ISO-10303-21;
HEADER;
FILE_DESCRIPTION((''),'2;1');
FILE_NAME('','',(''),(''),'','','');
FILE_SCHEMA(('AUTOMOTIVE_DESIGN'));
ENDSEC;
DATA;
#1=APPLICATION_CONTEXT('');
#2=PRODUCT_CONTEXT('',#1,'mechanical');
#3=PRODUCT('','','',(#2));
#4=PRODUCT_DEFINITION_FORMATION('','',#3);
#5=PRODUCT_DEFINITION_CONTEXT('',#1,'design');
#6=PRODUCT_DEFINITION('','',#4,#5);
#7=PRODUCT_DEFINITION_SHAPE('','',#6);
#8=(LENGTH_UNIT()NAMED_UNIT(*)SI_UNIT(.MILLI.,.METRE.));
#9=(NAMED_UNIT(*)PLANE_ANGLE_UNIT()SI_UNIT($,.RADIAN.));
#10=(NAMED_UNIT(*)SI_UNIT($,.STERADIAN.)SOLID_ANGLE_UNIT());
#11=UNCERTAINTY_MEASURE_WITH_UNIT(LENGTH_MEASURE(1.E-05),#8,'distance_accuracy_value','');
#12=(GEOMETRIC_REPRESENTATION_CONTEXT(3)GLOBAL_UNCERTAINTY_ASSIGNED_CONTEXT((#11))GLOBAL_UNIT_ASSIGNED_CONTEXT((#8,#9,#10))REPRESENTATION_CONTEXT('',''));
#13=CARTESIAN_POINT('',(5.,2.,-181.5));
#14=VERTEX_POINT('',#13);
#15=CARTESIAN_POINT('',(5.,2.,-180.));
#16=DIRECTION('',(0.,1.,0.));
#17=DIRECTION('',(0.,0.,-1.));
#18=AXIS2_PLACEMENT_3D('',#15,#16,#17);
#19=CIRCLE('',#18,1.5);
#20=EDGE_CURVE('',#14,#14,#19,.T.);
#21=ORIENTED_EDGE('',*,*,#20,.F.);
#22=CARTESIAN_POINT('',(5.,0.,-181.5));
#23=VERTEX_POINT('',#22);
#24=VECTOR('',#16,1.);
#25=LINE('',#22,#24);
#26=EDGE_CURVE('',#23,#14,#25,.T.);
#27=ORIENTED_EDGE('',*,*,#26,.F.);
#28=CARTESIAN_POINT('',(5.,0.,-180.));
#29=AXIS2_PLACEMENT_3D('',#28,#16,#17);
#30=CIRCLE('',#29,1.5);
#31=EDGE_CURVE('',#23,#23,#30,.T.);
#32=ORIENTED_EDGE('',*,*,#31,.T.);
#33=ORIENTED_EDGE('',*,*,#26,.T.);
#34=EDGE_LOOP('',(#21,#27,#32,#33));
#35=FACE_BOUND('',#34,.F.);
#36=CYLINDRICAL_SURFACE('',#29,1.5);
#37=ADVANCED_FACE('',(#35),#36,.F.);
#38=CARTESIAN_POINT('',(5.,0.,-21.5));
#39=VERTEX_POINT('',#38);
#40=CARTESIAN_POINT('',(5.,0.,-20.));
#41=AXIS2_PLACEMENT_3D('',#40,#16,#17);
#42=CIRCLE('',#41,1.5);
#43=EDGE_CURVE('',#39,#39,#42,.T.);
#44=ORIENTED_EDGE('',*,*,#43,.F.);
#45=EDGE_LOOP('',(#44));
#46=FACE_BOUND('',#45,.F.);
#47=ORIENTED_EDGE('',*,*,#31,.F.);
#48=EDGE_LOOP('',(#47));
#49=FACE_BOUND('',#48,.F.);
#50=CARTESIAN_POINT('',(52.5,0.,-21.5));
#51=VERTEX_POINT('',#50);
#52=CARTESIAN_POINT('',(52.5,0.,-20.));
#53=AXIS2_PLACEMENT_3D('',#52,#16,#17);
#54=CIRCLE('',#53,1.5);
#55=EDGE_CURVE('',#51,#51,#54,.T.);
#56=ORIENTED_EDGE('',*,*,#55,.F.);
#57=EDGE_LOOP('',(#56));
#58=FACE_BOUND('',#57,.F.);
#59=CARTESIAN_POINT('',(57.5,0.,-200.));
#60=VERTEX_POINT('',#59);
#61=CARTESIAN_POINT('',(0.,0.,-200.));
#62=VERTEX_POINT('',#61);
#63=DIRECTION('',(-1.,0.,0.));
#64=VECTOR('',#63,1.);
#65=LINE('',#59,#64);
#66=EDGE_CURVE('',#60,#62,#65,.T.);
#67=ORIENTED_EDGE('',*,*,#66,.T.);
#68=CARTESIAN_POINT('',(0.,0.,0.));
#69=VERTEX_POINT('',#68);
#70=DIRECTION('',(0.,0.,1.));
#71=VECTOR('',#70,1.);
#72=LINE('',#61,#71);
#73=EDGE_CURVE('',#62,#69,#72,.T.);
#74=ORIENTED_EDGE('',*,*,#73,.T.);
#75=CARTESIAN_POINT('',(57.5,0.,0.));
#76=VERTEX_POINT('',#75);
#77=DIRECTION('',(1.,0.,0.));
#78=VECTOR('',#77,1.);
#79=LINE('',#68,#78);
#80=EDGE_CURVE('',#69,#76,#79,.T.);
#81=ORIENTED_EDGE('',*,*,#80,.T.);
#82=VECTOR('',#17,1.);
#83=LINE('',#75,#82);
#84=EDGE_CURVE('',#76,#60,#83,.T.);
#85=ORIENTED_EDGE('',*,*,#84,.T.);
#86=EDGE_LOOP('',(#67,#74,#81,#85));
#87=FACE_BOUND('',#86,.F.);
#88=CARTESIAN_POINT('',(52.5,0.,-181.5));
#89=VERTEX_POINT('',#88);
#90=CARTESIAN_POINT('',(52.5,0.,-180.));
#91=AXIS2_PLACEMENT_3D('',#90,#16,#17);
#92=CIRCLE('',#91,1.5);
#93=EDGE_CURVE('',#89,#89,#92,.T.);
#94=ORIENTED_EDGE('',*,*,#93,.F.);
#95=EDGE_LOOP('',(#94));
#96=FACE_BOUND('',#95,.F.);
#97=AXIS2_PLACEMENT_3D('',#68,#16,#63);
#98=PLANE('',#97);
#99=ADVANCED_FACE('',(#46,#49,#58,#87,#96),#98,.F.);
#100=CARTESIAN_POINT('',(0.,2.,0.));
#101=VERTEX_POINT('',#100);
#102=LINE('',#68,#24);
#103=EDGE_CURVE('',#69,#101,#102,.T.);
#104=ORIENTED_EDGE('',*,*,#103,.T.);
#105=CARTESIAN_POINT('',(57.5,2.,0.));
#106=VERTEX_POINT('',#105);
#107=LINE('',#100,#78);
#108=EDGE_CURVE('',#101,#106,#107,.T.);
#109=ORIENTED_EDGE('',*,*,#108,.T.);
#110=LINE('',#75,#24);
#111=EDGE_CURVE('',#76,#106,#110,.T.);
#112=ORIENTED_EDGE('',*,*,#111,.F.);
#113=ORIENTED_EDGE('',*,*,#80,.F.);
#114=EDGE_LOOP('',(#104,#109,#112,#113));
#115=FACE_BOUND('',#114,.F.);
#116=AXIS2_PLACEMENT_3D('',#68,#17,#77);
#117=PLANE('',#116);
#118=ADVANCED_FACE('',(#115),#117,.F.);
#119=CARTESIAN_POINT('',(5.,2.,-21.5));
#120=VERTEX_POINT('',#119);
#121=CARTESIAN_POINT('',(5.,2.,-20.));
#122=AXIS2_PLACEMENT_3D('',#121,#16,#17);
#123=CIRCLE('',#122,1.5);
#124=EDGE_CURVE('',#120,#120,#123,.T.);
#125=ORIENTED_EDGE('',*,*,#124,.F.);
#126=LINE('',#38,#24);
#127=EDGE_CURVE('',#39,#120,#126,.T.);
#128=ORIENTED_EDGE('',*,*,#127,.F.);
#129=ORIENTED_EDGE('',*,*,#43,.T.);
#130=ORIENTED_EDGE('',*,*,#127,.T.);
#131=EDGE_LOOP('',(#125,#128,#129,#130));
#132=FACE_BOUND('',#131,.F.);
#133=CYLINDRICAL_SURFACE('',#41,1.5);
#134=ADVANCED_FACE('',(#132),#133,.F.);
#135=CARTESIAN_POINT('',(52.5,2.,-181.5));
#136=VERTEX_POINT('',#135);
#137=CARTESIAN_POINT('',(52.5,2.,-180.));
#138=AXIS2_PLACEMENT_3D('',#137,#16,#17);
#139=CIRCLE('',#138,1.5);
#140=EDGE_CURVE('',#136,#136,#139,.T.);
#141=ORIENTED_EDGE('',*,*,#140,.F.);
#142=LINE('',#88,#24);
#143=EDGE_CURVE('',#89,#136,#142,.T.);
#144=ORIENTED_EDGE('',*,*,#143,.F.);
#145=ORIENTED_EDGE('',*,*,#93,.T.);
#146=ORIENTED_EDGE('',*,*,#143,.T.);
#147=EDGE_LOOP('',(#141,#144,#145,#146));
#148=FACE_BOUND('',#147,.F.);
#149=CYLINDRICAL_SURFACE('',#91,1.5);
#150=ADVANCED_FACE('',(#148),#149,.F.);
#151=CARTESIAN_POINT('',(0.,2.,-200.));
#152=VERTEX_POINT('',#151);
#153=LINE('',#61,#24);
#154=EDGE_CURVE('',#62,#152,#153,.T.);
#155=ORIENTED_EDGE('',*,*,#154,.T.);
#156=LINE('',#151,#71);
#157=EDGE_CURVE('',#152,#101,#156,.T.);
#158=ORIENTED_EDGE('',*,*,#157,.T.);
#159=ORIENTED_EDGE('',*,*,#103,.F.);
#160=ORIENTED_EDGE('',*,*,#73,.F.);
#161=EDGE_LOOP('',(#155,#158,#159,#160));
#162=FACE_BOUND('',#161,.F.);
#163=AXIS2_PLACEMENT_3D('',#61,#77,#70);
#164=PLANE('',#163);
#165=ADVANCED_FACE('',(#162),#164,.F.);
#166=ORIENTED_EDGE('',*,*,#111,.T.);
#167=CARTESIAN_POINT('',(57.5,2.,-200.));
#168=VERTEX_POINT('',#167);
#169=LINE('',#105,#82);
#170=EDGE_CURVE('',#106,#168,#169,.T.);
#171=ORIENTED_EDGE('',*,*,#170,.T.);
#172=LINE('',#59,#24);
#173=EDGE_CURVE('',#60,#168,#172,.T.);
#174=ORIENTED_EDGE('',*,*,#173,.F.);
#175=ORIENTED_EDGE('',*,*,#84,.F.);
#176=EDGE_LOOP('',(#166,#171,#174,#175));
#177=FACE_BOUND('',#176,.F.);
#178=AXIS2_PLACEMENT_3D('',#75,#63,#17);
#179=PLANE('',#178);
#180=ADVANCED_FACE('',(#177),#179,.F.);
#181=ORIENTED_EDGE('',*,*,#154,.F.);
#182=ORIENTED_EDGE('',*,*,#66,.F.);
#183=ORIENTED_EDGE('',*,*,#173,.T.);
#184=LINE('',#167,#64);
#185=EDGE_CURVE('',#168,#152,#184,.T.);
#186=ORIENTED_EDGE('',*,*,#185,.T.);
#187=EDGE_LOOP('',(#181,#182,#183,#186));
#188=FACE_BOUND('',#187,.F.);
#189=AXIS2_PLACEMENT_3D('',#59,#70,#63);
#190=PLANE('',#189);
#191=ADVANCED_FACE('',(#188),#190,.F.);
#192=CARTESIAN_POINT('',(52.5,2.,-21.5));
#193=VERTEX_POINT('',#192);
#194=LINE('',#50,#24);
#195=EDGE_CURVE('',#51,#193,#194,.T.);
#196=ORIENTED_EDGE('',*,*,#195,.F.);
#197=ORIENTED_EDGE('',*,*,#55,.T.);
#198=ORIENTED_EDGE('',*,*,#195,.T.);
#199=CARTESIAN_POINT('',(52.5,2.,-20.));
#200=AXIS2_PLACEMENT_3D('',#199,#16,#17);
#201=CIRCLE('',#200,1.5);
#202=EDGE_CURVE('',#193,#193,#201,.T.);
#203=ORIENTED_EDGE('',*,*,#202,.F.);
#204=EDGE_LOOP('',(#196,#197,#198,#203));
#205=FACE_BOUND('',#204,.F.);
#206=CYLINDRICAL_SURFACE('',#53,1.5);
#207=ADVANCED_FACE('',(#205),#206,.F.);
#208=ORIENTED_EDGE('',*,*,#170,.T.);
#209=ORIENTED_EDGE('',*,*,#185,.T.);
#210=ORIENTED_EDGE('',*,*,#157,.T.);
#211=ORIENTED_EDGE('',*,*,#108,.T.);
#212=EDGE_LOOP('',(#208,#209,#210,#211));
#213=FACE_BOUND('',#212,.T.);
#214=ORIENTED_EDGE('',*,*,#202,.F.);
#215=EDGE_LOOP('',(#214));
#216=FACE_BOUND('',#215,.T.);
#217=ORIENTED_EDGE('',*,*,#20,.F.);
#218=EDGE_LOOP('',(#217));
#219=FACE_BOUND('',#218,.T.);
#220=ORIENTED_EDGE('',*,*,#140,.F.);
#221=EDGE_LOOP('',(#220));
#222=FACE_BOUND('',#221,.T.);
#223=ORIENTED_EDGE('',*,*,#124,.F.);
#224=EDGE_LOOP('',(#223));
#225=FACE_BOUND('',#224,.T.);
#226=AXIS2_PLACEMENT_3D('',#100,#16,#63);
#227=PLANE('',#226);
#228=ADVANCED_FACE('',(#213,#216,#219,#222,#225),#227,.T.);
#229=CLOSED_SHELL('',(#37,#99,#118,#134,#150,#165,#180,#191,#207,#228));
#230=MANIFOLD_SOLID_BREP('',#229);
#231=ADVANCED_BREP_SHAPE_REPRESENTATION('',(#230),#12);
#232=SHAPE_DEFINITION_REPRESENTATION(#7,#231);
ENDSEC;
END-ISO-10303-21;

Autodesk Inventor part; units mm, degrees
ref_plane "YZ Plane" through (0, 0, 0) normal (1, 0, 0) x (0, 1, 0)
ref_plane "XZ Plane" through (0, 0, 0) normal (0, 1, 0) x (-1, 0, 0)
ref_plane "XY Plane" through (0, 0, 0) normal (0, 0, 1) x (1, 0, 0)
sketch "スケッチ1" plane through (0, 0, 0) normal (0, 1, 0) x (-1, 0, 0)
  line L0 (0, 0) -> (-57.5, 0)
  line L1 (-57.5, 0) -> (-57.5, -200)
  line L2 (-57.5, -200) -> (0, -200)
  line L3 (0, -200) -> (0, 0)
  dimension "d0" = 200
  dimension "d1" = 57.5
extrude "押し出し1" add sketch "スケッチ1" along normal blind 2
sketch "スケッチ3" plane through (0, 0, 0) normal (0, -1, 0) x (1, 0, 0)
  line L0 (57.5, 0) -> (57.5, -200) projected
  line L1 (57.5, -200) -> (0, -200) projected
  line L2 (0, -200) -> (0, 0) projected
  point P0 (52.5, -20)
  point P1 (52.5, -180)
  point P2 (5, -180)
  point P3 (5, -20)
  dimension "d4" = 5
  dimension "d5" = 180
  dimension "d6" = 160
  dimension "d17" = 5
  dimension "d18" = 5
  dimension "d19" = 5
  dimension "d20" = 47.5
hole "穴1" at (52.5, 0, -20) at (52.5, 0, -180) at (5, 0, -180) at (5, 0, -20) direction (0, 1, 0) diameter 3 end through all
properties part number "三段目アクリル板" material "ABS プラスチック"
